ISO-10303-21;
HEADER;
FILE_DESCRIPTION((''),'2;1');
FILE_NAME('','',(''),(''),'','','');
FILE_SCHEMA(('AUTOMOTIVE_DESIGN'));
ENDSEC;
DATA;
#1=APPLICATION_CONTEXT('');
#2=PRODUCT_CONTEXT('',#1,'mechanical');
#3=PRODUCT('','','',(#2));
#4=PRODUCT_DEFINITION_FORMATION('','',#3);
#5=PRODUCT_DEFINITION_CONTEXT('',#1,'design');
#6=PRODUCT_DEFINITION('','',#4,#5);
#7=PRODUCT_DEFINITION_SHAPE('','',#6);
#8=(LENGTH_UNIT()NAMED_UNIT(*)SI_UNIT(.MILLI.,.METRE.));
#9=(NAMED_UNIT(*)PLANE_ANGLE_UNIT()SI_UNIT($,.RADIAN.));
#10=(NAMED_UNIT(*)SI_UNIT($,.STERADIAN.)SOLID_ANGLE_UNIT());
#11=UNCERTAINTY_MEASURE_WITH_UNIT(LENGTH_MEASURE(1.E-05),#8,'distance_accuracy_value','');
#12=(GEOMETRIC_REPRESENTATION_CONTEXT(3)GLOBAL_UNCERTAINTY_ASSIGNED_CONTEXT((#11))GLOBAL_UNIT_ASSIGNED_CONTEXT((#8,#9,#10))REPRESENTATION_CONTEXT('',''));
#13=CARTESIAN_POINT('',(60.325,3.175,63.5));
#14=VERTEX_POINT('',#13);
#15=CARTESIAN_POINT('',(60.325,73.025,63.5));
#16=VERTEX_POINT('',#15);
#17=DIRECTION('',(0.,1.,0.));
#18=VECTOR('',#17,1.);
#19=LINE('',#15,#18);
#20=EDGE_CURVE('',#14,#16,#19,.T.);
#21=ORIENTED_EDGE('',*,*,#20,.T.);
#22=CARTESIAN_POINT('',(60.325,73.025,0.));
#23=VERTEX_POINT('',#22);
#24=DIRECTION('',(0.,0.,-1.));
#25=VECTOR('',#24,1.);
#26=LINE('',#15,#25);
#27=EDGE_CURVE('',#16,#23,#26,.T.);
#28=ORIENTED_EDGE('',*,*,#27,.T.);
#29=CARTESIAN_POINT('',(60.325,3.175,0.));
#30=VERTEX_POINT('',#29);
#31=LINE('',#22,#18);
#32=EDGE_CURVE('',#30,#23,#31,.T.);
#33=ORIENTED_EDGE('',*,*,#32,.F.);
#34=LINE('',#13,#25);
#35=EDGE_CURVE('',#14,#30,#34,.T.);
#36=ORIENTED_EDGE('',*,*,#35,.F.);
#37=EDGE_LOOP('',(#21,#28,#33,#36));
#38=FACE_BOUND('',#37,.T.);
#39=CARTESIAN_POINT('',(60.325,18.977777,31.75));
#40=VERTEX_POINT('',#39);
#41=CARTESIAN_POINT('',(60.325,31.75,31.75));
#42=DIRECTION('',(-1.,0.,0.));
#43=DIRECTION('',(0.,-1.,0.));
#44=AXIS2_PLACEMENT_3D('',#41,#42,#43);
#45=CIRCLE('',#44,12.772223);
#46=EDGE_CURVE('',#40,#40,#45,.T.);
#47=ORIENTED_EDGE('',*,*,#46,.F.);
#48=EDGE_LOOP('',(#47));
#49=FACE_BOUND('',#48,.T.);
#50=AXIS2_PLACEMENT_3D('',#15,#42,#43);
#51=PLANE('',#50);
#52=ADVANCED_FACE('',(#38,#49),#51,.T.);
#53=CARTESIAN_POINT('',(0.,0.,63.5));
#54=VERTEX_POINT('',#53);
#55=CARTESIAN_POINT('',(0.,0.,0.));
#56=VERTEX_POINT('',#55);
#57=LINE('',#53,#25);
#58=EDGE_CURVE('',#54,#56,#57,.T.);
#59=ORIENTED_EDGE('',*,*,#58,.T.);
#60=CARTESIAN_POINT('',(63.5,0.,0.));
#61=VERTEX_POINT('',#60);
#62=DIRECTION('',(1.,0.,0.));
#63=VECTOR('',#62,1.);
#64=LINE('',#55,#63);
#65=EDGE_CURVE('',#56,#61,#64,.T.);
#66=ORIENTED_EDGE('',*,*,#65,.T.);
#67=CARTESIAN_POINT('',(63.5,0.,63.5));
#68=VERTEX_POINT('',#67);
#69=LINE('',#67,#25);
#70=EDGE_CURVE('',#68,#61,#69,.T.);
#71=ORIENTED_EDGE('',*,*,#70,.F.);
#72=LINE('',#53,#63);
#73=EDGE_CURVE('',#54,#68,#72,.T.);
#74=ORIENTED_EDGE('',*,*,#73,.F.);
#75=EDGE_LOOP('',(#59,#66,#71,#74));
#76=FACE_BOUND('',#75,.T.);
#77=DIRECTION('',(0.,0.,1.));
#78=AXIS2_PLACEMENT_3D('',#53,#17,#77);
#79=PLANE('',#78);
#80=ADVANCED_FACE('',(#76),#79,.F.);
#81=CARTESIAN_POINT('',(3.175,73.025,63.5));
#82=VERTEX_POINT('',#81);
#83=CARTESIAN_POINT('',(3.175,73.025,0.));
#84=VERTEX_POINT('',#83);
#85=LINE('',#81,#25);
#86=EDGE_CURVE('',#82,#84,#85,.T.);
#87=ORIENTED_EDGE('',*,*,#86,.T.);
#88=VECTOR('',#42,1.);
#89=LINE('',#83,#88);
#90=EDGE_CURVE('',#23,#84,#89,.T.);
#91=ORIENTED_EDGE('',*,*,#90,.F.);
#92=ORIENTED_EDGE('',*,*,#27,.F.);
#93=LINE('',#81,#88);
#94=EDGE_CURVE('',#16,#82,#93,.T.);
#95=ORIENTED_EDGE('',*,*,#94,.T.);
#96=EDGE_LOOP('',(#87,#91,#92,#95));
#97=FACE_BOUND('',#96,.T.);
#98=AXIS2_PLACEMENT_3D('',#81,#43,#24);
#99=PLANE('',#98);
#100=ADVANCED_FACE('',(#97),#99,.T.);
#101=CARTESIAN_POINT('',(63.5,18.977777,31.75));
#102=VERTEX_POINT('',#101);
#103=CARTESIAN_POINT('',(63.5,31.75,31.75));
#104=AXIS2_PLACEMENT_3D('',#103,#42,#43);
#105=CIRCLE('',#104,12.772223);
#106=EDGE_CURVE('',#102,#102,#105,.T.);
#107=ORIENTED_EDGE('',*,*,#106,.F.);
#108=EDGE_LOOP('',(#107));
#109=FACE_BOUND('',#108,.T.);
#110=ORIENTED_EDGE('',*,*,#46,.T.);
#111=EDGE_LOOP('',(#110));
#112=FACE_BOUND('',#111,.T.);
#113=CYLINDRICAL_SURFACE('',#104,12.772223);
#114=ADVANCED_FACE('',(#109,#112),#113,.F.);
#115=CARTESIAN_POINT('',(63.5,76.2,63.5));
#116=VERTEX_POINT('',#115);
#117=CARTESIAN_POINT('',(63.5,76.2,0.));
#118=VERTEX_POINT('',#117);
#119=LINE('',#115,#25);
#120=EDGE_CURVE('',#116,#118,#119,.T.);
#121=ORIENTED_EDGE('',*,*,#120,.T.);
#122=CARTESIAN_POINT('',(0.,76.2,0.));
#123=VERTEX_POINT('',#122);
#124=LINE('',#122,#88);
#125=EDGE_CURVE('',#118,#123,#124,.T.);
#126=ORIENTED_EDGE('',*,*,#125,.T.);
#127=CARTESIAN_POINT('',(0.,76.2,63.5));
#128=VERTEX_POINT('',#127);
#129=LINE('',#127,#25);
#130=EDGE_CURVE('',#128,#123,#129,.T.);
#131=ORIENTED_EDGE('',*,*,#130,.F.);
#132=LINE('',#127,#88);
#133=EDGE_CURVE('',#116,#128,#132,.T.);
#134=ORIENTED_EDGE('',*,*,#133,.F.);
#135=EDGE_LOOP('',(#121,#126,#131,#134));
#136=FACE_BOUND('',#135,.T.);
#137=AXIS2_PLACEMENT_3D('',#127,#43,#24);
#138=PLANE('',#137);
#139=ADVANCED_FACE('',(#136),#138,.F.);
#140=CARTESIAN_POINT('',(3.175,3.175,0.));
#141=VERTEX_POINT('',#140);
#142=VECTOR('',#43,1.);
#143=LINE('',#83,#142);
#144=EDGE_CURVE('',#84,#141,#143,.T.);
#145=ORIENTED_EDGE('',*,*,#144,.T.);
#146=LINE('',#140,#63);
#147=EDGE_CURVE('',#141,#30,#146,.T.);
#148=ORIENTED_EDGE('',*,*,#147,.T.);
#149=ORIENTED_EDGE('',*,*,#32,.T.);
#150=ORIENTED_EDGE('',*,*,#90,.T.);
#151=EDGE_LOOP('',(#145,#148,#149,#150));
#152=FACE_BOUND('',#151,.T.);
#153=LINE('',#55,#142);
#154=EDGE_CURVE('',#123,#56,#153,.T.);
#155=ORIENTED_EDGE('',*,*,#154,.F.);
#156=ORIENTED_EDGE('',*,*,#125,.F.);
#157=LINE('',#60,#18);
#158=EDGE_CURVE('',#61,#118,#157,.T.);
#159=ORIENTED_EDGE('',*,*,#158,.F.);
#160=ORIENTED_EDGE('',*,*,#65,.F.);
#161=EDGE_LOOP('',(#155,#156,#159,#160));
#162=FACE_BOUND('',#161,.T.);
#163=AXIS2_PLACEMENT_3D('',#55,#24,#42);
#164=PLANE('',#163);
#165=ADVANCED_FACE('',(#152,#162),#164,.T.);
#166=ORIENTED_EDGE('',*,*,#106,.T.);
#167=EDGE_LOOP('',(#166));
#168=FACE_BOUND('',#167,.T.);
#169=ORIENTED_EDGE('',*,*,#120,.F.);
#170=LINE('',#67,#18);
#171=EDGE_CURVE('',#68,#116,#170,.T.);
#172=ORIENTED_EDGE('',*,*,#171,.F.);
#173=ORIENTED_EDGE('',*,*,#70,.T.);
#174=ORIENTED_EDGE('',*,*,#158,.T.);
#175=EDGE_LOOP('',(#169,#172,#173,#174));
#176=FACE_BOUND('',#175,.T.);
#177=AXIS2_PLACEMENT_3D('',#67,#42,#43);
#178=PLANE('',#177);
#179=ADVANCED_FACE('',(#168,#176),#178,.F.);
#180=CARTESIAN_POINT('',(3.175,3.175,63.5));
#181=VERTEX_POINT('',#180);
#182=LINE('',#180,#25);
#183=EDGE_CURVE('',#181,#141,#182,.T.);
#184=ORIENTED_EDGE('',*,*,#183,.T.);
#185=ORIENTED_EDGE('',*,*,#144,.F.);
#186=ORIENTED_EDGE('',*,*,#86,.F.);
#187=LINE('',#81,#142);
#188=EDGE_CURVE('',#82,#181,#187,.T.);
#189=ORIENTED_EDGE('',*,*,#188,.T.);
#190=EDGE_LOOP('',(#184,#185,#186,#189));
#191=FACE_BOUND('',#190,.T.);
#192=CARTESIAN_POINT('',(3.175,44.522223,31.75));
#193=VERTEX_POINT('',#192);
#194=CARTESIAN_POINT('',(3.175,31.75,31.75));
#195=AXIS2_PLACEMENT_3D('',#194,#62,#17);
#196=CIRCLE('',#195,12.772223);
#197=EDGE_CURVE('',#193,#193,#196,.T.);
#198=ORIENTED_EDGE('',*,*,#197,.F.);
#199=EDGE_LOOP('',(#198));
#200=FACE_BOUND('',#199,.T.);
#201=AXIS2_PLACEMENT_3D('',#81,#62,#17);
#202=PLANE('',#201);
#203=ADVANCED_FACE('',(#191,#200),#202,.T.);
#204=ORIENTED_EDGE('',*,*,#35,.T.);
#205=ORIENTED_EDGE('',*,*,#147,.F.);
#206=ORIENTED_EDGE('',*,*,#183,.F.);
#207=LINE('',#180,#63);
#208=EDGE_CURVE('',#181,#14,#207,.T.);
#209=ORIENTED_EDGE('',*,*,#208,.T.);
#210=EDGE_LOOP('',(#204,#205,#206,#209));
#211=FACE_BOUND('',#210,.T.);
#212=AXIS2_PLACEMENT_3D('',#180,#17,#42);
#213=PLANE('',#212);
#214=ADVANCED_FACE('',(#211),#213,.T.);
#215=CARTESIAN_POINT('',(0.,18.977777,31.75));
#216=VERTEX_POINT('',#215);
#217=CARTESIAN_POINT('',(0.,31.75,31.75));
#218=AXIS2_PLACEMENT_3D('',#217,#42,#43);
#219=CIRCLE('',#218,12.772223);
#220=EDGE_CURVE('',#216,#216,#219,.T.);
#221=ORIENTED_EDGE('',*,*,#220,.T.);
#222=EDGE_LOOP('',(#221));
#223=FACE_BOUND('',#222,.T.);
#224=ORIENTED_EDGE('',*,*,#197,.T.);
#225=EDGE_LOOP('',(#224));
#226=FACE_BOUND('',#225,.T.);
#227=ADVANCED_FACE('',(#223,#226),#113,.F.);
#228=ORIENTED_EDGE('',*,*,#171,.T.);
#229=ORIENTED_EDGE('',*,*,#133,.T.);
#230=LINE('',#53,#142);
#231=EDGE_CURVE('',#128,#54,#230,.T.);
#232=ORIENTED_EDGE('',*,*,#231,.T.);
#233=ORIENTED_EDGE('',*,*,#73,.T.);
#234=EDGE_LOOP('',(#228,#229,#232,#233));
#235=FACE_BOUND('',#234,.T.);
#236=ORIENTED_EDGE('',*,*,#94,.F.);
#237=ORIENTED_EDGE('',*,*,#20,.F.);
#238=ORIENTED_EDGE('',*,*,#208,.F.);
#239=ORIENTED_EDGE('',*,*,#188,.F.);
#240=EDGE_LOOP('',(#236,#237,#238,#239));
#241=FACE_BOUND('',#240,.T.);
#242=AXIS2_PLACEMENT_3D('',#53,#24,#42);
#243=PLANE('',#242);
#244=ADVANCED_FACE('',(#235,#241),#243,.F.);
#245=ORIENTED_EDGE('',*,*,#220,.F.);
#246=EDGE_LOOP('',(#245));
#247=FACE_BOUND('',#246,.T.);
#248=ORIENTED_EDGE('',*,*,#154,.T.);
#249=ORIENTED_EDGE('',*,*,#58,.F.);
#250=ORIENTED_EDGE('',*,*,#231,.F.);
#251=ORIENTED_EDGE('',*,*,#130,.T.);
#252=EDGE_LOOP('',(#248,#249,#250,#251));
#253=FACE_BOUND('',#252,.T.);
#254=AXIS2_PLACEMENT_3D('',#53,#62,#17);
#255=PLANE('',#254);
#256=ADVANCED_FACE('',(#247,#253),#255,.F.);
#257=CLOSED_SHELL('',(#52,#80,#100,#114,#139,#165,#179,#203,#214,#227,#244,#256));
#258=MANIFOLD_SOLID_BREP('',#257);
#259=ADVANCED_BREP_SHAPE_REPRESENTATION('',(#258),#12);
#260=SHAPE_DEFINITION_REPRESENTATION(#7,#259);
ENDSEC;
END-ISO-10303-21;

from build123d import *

# Parameters (mm, degrees)
SKETCH1_W           = 63.5
SKETCH1_H           = 76.2
SKETCH1_W_2         = 57.15
SKETCH1_H_2         = 69.85
BOSS_EXTRUDE1_DEPTH = 63.5
SKETCH2_R           = 12.772223226
CUT_EXTRUDE1_DEPTH  = 118.774954893


with BuildPart() as part:
    # Sketch1 → Boss-Extrude1 (new body)
    with BuildSketch(Plane.XY):
        with Locations((31.75, 38.1)):
            Rectangle(SKETCH1_W, SKETCH1_H)
        with Locations((31.75, 38.1)):
            Rectangle(SKETCH1_W_2, SKETCH1_H_2, mode=Mode.SUBTRACT)
    extrude(amount=BOSS_EXTRUDE1_DEPTH)

    # Sketch2 → Cut-Extrude1 (cut, through all)
    with BuildSketch(Plane.ZY):
        with Locations(Location((31.75, 31.75, 0), (0, 0, 270))):
            Circle(SKETCH2_R)
    extrude(amount=-CUT_EXTRUDE1_DEPTH, mode=Mode.SUBTRACT)


solid = part.part
